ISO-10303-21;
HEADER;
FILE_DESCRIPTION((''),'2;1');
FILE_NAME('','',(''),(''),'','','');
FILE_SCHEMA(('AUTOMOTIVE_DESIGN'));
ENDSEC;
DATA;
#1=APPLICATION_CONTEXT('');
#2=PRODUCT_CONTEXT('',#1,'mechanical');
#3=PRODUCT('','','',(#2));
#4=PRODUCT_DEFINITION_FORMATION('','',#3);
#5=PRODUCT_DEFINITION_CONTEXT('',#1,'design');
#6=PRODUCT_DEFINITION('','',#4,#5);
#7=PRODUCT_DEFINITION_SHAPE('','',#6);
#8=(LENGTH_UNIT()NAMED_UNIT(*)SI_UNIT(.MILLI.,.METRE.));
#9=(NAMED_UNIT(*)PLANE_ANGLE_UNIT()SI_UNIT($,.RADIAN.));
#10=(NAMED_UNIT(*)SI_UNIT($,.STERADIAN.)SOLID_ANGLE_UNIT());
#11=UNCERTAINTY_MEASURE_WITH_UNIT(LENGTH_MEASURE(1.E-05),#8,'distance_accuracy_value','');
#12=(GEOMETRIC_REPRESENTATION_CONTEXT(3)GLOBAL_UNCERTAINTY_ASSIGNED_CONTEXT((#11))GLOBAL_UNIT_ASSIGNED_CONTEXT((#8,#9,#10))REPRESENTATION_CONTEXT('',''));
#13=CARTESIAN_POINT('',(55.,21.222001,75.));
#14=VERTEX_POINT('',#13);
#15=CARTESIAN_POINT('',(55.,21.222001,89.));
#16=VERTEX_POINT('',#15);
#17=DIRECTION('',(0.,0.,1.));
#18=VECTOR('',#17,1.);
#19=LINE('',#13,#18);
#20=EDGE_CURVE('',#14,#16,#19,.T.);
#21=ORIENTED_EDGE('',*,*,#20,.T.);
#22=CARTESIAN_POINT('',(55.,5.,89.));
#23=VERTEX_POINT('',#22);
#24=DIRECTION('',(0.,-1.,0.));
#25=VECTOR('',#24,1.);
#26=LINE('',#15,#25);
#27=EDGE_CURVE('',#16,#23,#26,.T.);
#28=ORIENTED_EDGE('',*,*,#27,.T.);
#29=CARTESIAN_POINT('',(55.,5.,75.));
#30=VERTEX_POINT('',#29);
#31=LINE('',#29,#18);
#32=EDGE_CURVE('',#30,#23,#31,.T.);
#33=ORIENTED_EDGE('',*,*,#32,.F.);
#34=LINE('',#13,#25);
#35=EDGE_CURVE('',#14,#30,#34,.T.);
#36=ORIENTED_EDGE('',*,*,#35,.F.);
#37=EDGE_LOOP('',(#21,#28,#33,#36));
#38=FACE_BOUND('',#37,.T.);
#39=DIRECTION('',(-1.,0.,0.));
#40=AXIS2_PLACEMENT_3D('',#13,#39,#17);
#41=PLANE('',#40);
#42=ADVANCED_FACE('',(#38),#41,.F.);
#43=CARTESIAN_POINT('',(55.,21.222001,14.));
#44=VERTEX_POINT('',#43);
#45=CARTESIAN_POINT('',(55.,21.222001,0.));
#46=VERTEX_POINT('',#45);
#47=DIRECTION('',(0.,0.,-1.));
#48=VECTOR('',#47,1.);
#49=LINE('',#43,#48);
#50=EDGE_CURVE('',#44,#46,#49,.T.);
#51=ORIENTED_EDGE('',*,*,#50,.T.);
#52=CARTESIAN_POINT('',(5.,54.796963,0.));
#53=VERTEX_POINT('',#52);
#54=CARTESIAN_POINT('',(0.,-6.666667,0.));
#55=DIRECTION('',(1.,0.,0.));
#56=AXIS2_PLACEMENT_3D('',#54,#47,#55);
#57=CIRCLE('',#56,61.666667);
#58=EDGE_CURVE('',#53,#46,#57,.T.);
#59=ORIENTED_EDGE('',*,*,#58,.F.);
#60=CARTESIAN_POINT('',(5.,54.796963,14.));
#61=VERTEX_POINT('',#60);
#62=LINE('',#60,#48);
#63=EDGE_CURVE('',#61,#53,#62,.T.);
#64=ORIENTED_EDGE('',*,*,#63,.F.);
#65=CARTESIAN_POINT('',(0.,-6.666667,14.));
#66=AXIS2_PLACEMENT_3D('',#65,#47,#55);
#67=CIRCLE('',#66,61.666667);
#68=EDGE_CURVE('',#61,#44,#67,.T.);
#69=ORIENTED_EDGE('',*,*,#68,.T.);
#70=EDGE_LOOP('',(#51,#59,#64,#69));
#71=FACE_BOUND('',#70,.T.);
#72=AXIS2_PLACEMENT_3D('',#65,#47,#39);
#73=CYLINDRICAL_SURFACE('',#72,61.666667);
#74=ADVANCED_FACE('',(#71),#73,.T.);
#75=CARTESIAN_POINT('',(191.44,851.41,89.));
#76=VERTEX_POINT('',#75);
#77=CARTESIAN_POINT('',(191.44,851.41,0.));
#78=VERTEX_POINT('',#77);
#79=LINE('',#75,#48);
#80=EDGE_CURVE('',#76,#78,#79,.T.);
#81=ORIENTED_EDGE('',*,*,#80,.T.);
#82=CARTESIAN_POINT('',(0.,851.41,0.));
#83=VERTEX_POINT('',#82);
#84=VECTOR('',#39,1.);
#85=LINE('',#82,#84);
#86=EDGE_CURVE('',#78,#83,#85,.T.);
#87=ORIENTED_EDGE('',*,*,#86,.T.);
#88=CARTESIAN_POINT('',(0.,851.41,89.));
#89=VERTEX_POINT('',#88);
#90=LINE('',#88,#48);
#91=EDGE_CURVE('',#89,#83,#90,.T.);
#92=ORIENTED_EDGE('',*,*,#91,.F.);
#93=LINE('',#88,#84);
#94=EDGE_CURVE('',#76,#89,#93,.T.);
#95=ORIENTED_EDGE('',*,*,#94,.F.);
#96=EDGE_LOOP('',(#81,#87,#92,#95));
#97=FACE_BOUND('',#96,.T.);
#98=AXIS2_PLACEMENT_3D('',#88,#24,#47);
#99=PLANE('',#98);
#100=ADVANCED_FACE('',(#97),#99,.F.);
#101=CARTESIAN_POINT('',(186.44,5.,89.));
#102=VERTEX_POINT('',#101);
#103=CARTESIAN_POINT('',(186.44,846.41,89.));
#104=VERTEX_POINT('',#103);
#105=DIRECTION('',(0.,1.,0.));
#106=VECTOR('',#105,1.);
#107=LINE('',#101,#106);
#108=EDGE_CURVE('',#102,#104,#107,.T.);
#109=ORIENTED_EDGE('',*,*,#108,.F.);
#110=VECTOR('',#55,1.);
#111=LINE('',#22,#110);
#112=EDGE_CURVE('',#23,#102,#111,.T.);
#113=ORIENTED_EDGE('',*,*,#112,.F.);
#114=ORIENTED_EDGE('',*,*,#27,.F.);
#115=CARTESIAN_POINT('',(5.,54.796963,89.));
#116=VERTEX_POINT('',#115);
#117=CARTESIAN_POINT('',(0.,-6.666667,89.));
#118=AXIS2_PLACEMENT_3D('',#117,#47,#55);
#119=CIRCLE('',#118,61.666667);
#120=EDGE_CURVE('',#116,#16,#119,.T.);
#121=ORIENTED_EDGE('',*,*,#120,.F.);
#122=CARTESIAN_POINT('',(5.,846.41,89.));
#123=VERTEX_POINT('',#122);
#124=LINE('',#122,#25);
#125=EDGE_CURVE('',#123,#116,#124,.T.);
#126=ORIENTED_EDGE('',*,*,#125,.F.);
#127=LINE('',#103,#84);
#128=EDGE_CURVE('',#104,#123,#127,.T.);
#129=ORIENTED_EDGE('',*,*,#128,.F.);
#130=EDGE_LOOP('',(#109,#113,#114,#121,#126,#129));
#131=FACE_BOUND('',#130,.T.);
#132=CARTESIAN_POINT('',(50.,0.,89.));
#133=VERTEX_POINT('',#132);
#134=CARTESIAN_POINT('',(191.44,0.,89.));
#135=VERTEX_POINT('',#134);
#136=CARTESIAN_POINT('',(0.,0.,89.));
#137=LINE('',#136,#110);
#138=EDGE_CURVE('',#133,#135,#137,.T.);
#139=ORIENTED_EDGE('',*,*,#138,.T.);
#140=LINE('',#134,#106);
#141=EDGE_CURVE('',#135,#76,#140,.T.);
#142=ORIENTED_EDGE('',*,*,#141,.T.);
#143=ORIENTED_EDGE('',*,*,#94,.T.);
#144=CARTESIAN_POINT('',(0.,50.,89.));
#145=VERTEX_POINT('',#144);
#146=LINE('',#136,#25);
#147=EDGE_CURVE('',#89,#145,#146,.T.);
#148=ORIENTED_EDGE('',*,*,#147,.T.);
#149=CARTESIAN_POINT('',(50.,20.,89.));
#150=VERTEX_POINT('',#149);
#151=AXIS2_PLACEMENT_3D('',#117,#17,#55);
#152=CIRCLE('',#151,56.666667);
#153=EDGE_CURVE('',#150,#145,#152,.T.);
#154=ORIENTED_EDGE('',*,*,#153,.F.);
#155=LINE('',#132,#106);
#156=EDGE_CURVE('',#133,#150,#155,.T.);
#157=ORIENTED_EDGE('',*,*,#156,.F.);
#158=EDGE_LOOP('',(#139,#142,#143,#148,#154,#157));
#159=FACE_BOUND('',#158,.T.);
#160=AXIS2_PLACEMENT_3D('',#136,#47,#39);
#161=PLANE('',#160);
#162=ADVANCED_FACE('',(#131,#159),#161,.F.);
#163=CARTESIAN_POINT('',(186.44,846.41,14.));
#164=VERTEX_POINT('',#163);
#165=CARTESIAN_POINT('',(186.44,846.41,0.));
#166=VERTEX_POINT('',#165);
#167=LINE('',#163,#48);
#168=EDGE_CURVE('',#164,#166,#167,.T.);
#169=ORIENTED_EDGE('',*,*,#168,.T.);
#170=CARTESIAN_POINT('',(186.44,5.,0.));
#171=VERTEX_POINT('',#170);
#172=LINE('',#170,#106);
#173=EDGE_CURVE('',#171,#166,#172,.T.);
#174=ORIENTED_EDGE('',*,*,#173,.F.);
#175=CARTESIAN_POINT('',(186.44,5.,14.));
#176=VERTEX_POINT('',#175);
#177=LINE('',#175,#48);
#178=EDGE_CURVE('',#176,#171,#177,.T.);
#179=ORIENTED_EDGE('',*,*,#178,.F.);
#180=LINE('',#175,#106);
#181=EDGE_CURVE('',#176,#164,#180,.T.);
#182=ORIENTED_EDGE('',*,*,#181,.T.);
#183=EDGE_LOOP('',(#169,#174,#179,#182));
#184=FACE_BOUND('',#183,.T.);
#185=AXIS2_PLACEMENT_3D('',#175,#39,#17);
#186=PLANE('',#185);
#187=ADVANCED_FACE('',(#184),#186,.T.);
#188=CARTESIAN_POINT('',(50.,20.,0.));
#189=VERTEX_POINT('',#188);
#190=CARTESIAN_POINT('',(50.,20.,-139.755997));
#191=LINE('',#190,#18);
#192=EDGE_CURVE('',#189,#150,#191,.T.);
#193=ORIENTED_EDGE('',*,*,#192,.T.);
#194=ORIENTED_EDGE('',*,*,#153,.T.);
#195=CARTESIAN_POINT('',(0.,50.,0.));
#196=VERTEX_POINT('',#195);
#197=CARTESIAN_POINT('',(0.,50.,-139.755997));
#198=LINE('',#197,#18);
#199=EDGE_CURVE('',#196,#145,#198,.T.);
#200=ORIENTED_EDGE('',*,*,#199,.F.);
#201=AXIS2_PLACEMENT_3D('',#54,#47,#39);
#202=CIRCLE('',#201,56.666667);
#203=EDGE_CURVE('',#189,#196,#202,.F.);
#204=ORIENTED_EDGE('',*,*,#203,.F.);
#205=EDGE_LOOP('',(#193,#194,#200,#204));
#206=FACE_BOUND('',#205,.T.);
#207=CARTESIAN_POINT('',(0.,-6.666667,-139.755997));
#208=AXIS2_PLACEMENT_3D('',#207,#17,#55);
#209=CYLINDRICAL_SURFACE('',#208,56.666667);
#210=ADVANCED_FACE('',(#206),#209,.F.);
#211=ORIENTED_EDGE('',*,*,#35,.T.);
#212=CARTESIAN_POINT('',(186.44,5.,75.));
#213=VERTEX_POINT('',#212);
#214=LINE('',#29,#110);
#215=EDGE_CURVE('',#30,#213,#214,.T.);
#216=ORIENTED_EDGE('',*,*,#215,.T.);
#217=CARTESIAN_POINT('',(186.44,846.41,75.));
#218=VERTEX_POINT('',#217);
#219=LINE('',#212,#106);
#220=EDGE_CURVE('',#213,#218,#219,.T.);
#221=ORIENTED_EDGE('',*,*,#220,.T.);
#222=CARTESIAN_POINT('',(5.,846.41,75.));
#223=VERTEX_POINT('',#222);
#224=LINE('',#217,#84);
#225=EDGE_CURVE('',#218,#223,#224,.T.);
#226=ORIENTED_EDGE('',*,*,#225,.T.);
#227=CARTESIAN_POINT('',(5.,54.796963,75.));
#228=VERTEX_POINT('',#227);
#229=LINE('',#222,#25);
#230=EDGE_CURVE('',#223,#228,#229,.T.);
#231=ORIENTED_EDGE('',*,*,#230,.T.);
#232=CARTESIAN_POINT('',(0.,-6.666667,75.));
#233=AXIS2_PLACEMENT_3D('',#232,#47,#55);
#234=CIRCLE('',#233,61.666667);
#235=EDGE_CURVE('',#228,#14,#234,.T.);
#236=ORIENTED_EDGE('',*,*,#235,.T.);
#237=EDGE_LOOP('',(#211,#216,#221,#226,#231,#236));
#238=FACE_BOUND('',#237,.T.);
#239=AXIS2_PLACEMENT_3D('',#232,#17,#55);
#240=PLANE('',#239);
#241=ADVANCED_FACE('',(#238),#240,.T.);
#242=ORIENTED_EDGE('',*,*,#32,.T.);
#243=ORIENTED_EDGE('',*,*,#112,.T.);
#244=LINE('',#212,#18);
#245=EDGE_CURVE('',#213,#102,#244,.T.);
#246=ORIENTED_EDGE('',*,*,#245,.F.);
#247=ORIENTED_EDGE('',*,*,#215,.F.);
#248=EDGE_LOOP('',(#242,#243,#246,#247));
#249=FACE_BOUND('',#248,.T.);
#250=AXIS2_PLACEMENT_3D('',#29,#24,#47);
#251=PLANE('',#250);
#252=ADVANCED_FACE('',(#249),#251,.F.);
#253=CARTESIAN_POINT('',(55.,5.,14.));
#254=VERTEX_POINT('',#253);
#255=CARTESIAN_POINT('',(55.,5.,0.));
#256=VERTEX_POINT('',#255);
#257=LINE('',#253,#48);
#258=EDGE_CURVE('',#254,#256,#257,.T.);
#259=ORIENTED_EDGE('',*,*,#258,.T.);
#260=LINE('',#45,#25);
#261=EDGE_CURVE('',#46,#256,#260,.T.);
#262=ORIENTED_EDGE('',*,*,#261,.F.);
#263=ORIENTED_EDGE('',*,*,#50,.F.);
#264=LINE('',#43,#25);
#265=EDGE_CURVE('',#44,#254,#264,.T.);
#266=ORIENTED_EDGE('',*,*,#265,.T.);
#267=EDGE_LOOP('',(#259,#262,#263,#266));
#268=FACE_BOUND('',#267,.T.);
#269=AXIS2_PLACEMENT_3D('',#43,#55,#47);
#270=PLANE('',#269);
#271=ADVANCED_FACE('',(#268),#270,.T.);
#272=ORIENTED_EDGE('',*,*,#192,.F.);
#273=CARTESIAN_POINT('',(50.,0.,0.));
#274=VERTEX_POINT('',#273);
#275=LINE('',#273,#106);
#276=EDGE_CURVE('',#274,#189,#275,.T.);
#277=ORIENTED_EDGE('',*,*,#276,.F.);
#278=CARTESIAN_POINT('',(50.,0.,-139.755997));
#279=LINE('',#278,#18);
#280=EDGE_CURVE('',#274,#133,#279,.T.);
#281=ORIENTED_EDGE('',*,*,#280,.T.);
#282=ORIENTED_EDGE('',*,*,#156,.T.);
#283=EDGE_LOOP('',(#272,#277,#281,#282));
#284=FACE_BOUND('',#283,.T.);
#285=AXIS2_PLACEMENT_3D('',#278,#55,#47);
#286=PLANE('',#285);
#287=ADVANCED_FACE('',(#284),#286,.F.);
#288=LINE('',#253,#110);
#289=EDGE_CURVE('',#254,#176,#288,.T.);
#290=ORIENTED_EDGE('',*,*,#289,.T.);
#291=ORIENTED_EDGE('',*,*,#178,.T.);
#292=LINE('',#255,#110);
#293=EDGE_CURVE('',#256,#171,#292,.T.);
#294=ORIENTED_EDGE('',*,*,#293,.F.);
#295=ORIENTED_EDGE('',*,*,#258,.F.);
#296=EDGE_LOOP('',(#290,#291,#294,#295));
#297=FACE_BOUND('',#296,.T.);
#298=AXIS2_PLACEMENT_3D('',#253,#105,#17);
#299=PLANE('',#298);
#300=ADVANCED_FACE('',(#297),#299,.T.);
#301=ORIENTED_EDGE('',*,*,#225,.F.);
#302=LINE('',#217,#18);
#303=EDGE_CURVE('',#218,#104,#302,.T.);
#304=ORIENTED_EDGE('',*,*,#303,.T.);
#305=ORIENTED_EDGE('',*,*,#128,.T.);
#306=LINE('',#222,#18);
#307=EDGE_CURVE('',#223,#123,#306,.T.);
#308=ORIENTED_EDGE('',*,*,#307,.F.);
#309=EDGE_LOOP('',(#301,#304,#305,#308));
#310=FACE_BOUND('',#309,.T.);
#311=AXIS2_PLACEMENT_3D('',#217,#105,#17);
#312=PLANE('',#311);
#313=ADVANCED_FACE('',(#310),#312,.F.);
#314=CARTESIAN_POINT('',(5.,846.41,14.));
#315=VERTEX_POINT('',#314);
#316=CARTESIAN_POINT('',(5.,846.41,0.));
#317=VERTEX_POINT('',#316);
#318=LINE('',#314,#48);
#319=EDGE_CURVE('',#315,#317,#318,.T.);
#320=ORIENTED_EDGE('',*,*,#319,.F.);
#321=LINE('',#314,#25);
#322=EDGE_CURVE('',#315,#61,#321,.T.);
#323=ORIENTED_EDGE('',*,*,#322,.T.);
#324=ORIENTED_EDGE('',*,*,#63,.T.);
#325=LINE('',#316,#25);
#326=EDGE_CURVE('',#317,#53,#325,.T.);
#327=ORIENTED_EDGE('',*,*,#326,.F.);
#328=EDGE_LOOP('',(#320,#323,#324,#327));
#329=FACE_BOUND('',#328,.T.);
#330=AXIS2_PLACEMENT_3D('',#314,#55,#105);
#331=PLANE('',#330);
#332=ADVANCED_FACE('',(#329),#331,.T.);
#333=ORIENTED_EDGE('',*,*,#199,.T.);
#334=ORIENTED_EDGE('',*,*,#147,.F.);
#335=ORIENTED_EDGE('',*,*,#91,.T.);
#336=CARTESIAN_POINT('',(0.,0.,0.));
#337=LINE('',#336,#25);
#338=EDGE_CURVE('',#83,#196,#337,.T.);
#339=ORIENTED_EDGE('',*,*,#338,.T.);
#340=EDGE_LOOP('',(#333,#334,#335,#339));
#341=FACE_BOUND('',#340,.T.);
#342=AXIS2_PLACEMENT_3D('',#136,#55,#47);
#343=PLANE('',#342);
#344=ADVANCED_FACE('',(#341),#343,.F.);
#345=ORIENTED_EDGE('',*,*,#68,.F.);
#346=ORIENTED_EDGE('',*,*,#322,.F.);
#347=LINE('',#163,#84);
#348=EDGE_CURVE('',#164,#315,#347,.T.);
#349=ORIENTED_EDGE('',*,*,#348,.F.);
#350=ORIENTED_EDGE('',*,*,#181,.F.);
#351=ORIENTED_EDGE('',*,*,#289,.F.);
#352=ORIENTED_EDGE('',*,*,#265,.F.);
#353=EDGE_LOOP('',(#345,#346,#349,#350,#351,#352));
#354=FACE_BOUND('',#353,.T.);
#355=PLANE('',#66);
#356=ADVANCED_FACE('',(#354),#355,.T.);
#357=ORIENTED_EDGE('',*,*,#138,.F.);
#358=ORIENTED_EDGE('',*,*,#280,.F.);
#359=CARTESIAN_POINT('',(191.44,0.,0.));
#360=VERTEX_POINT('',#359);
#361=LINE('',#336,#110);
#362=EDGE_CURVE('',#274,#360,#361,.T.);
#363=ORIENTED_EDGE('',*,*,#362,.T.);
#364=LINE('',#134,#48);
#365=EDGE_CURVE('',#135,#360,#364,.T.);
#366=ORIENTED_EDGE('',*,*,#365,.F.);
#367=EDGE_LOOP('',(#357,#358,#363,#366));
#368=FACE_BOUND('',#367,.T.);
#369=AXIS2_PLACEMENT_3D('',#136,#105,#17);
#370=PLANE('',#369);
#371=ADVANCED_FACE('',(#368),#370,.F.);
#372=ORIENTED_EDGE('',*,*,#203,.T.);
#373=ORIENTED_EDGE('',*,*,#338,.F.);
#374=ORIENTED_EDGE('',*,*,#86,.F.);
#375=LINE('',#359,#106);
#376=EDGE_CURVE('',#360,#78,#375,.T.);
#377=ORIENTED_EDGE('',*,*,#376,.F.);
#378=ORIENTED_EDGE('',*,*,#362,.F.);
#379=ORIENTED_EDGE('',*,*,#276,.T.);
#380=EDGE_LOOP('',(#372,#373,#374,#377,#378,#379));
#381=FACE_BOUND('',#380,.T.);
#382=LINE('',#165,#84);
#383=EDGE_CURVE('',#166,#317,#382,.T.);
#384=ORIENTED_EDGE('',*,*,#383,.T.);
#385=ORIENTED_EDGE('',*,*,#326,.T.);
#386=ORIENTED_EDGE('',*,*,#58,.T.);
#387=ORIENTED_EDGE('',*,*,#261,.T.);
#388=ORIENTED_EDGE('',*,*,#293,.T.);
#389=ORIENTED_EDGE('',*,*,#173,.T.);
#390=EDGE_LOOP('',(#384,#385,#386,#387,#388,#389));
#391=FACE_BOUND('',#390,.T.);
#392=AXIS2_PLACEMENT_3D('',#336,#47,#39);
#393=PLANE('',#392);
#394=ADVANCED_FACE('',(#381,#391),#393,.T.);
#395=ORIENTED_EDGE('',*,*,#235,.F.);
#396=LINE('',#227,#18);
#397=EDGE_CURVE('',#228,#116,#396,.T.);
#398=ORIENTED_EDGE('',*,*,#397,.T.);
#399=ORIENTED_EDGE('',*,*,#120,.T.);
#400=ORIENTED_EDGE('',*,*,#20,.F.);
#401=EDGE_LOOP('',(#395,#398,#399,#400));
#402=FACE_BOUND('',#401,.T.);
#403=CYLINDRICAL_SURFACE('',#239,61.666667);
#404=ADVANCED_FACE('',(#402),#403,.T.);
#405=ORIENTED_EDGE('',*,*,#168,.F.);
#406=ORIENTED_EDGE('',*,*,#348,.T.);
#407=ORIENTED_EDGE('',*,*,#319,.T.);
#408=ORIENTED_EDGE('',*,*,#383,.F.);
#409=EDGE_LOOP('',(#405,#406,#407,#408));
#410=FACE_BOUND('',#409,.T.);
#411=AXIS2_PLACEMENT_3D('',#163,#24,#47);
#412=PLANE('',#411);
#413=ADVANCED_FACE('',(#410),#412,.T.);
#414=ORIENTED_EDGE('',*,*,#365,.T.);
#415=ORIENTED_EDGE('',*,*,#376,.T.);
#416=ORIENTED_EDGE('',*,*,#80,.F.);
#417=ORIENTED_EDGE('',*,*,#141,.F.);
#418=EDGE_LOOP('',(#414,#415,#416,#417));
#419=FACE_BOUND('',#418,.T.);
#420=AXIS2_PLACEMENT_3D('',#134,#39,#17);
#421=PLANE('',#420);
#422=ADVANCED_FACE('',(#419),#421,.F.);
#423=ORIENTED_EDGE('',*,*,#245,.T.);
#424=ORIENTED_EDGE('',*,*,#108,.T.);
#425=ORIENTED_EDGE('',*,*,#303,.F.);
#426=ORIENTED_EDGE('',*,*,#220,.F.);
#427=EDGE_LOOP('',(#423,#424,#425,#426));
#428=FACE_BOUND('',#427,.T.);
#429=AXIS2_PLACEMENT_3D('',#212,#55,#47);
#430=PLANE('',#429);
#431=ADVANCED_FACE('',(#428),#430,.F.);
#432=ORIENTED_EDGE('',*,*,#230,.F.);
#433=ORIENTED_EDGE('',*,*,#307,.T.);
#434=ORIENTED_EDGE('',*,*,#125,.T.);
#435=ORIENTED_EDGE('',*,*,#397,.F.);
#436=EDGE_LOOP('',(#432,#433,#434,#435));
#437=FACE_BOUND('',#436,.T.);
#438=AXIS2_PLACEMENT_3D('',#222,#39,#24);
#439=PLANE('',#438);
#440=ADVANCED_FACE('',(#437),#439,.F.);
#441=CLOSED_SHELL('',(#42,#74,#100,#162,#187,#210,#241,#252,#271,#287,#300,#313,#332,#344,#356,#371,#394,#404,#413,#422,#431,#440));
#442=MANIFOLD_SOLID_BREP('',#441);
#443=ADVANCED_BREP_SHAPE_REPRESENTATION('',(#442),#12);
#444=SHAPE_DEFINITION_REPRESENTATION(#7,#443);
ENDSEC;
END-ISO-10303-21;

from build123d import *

# Parameters (mm, degrees)
SKETCH1_W           = 191.44
SKETCH1_H           = 851.41
BOSS_EXTRUDE1_DEPTH = 89
CUT_EXTRUDE1_DEPTH  = 89
CUT_EXTRUDE2_DEPTH  = 14


with BuildPart() as part:
    # Sketch1 → Boss-Extrude1 (new body)
    with BuildSketch(Plane.XY):
        with Locations((95.72, 425.705)):
            Rectangle(SKETCH1_W, SKETCH1_H)
    extrude(amount=BOSS_EXTRUDE1_DEPTH)

    # Sketch2 → Cut-Extrude1 (cut)
    with BuildSketch(Plane.XY.offset(89)):
        with BuildLine():
            Line((50, 0), (50, 20))
            ThreePointArc((50, 20), (29.154759474, 41.924599124), (0, 50))
            Line((0, 50), (-42.502715258, 50))
            Line((-42.502715258, 50), (0, -54.761569713))
            Line((0, -54.761569713), (50, 0))
        make_face()
    extrude(amount=-CUT_EXTRUDE1_DEPTH, mode=Mode.SUBTRACT)

    # Sketch3 → Cut-Extrude2 (cut)
    with BuildSketch(Plane.XY.offset(89)):
        with BuildLine():
            Line((55, 21.222000884), (55, 5))
            Line((55, 5), (186.44, 5))
            Line((186.44, 5), (186.44, 846.41))
            Line((186.44, 846.41), (5, 846.41))
            Line((5, 846.41), (5, 54.796963049))
            ThreePointArc((5, 54.796963049), (34.377602026, 44.528628593), (55, 21.222000884))
        make_face()
    cut_extrude2 = extrude(amount=-CUT_EXTRUDE2_DEPTH, mode=Mode.SUBTRACT)

    # Mirror1: Cut-Extrude2 across plane
    add(cut_extrude2.mirror(Plane.XY.offset(44.5)), mode=Mode.SUBTRACT)


solid = part.part
